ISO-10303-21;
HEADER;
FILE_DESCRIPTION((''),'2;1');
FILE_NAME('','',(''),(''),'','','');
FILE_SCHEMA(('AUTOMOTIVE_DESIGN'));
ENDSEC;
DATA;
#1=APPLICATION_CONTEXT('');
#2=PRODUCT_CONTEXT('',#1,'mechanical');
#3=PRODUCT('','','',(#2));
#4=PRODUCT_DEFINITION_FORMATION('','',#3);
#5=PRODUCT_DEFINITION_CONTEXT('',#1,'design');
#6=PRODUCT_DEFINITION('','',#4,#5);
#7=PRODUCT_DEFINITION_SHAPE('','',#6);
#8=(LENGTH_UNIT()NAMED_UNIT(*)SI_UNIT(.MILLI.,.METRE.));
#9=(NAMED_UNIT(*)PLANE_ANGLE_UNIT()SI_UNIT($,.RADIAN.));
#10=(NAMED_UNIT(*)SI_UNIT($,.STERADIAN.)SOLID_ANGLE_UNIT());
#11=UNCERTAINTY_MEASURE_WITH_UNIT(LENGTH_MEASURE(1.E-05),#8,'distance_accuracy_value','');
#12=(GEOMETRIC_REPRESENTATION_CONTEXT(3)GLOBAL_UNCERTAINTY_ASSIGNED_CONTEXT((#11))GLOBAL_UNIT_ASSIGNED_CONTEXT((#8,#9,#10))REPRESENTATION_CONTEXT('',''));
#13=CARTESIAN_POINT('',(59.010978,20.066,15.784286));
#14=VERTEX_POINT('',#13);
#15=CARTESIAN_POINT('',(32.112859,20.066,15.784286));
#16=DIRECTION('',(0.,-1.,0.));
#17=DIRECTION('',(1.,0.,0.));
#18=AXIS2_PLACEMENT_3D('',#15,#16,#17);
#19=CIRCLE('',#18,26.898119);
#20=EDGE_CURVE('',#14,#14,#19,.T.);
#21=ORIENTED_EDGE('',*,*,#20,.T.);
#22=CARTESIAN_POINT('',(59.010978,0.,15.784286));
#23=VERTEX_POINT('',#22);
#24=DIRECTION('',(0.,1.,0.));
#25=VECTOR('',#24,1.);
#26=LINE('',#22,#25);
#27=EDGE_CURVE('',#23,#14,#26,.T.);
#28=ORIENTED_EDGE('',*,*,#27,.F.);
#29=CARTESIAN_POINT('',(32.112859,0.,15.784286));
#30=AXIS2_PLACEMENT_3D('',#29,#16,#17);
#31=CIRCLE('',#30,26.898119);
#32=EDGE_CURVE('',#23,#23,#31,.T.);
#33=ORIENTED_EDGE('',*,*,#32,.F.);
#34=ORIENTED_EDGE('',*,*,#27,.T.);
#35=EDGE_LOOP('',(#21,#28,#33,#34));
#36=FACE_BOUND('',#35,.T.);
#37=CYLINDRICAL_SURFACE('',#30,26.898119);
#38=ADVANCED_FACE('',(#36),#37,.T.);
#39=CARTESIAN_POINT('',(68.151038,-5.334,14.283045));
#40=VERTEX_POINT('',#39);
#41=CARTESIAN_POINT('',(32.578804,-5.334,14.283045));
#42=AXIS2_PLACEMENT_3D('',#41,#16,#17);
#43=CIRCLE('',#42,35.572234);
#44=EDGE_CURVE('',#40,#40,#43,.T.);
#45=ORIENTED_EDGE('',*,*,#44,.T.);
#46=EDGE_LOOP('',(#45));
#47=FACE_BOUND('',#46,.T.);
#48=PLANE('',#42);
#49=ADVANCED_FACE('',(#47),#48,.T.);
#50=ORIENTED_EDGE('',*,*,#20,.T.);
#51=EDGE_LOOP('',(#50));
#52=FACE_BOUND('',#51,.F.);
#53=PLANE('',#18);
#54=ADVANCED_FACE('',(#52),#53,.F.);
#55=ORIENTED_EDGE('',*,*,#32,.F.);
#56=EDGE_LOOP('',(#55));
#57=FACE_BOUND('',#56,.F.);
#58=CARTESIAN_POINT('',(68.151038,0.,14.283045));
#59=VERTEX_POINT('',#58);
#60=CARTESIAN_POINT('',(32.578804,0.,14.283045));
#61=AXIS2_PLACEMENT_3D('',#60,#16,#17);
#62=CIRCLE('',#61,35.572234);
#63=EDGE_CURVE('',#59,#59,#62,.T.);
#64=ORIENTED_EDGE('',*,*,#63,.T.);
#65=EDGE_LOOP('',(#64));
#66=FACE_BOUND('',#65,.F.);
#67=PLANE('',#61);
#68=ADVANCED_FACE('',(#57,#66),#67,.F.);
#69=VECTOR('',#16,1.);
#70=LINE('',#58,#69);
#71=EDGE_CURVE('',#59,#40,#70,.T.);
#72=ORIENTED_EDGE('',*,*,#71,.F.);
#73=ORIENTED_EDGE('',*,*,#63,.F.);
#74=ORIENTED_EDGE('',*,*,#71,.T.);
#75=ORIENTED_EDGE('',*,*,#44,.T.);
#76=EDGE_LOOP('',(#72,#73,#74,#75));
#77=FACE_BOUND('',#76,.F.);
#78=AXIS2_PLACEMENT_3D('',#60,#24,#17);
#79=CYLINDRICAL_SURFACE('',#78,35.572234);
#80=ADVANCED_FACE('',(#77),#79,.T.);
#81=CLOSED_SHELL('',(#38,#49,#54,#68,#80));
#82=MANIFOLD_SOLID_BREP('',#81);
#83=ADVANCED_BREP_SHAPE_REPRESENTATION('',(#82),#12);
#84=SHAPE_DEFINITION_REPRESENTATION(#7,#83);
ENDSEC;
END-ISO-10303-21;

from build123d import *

# Parameters (mm, degrees)
F0_R     = 35.572234
F1_DEPTH = 5.334
F2_R     = 26.898119
F3_DEPTH = 20.066


with BuildPart() as f1:
    # F0 (on Front) → F1 (new body)
    with BuildSketch(Plane.XZ):
        with Locations((32.578804, 14.283045)):
            Circle(F0_R)
    extrude(amount=F1_DEPTH)

    # F2 (on Front) → F3 (join)
    with BuildSketch(Plane.XZ):
        with Locations((32.112859, 15.784286)):
            Circle(F2_R)
    extrude(amount=-F3_DEPTH)


solid = f1.part
